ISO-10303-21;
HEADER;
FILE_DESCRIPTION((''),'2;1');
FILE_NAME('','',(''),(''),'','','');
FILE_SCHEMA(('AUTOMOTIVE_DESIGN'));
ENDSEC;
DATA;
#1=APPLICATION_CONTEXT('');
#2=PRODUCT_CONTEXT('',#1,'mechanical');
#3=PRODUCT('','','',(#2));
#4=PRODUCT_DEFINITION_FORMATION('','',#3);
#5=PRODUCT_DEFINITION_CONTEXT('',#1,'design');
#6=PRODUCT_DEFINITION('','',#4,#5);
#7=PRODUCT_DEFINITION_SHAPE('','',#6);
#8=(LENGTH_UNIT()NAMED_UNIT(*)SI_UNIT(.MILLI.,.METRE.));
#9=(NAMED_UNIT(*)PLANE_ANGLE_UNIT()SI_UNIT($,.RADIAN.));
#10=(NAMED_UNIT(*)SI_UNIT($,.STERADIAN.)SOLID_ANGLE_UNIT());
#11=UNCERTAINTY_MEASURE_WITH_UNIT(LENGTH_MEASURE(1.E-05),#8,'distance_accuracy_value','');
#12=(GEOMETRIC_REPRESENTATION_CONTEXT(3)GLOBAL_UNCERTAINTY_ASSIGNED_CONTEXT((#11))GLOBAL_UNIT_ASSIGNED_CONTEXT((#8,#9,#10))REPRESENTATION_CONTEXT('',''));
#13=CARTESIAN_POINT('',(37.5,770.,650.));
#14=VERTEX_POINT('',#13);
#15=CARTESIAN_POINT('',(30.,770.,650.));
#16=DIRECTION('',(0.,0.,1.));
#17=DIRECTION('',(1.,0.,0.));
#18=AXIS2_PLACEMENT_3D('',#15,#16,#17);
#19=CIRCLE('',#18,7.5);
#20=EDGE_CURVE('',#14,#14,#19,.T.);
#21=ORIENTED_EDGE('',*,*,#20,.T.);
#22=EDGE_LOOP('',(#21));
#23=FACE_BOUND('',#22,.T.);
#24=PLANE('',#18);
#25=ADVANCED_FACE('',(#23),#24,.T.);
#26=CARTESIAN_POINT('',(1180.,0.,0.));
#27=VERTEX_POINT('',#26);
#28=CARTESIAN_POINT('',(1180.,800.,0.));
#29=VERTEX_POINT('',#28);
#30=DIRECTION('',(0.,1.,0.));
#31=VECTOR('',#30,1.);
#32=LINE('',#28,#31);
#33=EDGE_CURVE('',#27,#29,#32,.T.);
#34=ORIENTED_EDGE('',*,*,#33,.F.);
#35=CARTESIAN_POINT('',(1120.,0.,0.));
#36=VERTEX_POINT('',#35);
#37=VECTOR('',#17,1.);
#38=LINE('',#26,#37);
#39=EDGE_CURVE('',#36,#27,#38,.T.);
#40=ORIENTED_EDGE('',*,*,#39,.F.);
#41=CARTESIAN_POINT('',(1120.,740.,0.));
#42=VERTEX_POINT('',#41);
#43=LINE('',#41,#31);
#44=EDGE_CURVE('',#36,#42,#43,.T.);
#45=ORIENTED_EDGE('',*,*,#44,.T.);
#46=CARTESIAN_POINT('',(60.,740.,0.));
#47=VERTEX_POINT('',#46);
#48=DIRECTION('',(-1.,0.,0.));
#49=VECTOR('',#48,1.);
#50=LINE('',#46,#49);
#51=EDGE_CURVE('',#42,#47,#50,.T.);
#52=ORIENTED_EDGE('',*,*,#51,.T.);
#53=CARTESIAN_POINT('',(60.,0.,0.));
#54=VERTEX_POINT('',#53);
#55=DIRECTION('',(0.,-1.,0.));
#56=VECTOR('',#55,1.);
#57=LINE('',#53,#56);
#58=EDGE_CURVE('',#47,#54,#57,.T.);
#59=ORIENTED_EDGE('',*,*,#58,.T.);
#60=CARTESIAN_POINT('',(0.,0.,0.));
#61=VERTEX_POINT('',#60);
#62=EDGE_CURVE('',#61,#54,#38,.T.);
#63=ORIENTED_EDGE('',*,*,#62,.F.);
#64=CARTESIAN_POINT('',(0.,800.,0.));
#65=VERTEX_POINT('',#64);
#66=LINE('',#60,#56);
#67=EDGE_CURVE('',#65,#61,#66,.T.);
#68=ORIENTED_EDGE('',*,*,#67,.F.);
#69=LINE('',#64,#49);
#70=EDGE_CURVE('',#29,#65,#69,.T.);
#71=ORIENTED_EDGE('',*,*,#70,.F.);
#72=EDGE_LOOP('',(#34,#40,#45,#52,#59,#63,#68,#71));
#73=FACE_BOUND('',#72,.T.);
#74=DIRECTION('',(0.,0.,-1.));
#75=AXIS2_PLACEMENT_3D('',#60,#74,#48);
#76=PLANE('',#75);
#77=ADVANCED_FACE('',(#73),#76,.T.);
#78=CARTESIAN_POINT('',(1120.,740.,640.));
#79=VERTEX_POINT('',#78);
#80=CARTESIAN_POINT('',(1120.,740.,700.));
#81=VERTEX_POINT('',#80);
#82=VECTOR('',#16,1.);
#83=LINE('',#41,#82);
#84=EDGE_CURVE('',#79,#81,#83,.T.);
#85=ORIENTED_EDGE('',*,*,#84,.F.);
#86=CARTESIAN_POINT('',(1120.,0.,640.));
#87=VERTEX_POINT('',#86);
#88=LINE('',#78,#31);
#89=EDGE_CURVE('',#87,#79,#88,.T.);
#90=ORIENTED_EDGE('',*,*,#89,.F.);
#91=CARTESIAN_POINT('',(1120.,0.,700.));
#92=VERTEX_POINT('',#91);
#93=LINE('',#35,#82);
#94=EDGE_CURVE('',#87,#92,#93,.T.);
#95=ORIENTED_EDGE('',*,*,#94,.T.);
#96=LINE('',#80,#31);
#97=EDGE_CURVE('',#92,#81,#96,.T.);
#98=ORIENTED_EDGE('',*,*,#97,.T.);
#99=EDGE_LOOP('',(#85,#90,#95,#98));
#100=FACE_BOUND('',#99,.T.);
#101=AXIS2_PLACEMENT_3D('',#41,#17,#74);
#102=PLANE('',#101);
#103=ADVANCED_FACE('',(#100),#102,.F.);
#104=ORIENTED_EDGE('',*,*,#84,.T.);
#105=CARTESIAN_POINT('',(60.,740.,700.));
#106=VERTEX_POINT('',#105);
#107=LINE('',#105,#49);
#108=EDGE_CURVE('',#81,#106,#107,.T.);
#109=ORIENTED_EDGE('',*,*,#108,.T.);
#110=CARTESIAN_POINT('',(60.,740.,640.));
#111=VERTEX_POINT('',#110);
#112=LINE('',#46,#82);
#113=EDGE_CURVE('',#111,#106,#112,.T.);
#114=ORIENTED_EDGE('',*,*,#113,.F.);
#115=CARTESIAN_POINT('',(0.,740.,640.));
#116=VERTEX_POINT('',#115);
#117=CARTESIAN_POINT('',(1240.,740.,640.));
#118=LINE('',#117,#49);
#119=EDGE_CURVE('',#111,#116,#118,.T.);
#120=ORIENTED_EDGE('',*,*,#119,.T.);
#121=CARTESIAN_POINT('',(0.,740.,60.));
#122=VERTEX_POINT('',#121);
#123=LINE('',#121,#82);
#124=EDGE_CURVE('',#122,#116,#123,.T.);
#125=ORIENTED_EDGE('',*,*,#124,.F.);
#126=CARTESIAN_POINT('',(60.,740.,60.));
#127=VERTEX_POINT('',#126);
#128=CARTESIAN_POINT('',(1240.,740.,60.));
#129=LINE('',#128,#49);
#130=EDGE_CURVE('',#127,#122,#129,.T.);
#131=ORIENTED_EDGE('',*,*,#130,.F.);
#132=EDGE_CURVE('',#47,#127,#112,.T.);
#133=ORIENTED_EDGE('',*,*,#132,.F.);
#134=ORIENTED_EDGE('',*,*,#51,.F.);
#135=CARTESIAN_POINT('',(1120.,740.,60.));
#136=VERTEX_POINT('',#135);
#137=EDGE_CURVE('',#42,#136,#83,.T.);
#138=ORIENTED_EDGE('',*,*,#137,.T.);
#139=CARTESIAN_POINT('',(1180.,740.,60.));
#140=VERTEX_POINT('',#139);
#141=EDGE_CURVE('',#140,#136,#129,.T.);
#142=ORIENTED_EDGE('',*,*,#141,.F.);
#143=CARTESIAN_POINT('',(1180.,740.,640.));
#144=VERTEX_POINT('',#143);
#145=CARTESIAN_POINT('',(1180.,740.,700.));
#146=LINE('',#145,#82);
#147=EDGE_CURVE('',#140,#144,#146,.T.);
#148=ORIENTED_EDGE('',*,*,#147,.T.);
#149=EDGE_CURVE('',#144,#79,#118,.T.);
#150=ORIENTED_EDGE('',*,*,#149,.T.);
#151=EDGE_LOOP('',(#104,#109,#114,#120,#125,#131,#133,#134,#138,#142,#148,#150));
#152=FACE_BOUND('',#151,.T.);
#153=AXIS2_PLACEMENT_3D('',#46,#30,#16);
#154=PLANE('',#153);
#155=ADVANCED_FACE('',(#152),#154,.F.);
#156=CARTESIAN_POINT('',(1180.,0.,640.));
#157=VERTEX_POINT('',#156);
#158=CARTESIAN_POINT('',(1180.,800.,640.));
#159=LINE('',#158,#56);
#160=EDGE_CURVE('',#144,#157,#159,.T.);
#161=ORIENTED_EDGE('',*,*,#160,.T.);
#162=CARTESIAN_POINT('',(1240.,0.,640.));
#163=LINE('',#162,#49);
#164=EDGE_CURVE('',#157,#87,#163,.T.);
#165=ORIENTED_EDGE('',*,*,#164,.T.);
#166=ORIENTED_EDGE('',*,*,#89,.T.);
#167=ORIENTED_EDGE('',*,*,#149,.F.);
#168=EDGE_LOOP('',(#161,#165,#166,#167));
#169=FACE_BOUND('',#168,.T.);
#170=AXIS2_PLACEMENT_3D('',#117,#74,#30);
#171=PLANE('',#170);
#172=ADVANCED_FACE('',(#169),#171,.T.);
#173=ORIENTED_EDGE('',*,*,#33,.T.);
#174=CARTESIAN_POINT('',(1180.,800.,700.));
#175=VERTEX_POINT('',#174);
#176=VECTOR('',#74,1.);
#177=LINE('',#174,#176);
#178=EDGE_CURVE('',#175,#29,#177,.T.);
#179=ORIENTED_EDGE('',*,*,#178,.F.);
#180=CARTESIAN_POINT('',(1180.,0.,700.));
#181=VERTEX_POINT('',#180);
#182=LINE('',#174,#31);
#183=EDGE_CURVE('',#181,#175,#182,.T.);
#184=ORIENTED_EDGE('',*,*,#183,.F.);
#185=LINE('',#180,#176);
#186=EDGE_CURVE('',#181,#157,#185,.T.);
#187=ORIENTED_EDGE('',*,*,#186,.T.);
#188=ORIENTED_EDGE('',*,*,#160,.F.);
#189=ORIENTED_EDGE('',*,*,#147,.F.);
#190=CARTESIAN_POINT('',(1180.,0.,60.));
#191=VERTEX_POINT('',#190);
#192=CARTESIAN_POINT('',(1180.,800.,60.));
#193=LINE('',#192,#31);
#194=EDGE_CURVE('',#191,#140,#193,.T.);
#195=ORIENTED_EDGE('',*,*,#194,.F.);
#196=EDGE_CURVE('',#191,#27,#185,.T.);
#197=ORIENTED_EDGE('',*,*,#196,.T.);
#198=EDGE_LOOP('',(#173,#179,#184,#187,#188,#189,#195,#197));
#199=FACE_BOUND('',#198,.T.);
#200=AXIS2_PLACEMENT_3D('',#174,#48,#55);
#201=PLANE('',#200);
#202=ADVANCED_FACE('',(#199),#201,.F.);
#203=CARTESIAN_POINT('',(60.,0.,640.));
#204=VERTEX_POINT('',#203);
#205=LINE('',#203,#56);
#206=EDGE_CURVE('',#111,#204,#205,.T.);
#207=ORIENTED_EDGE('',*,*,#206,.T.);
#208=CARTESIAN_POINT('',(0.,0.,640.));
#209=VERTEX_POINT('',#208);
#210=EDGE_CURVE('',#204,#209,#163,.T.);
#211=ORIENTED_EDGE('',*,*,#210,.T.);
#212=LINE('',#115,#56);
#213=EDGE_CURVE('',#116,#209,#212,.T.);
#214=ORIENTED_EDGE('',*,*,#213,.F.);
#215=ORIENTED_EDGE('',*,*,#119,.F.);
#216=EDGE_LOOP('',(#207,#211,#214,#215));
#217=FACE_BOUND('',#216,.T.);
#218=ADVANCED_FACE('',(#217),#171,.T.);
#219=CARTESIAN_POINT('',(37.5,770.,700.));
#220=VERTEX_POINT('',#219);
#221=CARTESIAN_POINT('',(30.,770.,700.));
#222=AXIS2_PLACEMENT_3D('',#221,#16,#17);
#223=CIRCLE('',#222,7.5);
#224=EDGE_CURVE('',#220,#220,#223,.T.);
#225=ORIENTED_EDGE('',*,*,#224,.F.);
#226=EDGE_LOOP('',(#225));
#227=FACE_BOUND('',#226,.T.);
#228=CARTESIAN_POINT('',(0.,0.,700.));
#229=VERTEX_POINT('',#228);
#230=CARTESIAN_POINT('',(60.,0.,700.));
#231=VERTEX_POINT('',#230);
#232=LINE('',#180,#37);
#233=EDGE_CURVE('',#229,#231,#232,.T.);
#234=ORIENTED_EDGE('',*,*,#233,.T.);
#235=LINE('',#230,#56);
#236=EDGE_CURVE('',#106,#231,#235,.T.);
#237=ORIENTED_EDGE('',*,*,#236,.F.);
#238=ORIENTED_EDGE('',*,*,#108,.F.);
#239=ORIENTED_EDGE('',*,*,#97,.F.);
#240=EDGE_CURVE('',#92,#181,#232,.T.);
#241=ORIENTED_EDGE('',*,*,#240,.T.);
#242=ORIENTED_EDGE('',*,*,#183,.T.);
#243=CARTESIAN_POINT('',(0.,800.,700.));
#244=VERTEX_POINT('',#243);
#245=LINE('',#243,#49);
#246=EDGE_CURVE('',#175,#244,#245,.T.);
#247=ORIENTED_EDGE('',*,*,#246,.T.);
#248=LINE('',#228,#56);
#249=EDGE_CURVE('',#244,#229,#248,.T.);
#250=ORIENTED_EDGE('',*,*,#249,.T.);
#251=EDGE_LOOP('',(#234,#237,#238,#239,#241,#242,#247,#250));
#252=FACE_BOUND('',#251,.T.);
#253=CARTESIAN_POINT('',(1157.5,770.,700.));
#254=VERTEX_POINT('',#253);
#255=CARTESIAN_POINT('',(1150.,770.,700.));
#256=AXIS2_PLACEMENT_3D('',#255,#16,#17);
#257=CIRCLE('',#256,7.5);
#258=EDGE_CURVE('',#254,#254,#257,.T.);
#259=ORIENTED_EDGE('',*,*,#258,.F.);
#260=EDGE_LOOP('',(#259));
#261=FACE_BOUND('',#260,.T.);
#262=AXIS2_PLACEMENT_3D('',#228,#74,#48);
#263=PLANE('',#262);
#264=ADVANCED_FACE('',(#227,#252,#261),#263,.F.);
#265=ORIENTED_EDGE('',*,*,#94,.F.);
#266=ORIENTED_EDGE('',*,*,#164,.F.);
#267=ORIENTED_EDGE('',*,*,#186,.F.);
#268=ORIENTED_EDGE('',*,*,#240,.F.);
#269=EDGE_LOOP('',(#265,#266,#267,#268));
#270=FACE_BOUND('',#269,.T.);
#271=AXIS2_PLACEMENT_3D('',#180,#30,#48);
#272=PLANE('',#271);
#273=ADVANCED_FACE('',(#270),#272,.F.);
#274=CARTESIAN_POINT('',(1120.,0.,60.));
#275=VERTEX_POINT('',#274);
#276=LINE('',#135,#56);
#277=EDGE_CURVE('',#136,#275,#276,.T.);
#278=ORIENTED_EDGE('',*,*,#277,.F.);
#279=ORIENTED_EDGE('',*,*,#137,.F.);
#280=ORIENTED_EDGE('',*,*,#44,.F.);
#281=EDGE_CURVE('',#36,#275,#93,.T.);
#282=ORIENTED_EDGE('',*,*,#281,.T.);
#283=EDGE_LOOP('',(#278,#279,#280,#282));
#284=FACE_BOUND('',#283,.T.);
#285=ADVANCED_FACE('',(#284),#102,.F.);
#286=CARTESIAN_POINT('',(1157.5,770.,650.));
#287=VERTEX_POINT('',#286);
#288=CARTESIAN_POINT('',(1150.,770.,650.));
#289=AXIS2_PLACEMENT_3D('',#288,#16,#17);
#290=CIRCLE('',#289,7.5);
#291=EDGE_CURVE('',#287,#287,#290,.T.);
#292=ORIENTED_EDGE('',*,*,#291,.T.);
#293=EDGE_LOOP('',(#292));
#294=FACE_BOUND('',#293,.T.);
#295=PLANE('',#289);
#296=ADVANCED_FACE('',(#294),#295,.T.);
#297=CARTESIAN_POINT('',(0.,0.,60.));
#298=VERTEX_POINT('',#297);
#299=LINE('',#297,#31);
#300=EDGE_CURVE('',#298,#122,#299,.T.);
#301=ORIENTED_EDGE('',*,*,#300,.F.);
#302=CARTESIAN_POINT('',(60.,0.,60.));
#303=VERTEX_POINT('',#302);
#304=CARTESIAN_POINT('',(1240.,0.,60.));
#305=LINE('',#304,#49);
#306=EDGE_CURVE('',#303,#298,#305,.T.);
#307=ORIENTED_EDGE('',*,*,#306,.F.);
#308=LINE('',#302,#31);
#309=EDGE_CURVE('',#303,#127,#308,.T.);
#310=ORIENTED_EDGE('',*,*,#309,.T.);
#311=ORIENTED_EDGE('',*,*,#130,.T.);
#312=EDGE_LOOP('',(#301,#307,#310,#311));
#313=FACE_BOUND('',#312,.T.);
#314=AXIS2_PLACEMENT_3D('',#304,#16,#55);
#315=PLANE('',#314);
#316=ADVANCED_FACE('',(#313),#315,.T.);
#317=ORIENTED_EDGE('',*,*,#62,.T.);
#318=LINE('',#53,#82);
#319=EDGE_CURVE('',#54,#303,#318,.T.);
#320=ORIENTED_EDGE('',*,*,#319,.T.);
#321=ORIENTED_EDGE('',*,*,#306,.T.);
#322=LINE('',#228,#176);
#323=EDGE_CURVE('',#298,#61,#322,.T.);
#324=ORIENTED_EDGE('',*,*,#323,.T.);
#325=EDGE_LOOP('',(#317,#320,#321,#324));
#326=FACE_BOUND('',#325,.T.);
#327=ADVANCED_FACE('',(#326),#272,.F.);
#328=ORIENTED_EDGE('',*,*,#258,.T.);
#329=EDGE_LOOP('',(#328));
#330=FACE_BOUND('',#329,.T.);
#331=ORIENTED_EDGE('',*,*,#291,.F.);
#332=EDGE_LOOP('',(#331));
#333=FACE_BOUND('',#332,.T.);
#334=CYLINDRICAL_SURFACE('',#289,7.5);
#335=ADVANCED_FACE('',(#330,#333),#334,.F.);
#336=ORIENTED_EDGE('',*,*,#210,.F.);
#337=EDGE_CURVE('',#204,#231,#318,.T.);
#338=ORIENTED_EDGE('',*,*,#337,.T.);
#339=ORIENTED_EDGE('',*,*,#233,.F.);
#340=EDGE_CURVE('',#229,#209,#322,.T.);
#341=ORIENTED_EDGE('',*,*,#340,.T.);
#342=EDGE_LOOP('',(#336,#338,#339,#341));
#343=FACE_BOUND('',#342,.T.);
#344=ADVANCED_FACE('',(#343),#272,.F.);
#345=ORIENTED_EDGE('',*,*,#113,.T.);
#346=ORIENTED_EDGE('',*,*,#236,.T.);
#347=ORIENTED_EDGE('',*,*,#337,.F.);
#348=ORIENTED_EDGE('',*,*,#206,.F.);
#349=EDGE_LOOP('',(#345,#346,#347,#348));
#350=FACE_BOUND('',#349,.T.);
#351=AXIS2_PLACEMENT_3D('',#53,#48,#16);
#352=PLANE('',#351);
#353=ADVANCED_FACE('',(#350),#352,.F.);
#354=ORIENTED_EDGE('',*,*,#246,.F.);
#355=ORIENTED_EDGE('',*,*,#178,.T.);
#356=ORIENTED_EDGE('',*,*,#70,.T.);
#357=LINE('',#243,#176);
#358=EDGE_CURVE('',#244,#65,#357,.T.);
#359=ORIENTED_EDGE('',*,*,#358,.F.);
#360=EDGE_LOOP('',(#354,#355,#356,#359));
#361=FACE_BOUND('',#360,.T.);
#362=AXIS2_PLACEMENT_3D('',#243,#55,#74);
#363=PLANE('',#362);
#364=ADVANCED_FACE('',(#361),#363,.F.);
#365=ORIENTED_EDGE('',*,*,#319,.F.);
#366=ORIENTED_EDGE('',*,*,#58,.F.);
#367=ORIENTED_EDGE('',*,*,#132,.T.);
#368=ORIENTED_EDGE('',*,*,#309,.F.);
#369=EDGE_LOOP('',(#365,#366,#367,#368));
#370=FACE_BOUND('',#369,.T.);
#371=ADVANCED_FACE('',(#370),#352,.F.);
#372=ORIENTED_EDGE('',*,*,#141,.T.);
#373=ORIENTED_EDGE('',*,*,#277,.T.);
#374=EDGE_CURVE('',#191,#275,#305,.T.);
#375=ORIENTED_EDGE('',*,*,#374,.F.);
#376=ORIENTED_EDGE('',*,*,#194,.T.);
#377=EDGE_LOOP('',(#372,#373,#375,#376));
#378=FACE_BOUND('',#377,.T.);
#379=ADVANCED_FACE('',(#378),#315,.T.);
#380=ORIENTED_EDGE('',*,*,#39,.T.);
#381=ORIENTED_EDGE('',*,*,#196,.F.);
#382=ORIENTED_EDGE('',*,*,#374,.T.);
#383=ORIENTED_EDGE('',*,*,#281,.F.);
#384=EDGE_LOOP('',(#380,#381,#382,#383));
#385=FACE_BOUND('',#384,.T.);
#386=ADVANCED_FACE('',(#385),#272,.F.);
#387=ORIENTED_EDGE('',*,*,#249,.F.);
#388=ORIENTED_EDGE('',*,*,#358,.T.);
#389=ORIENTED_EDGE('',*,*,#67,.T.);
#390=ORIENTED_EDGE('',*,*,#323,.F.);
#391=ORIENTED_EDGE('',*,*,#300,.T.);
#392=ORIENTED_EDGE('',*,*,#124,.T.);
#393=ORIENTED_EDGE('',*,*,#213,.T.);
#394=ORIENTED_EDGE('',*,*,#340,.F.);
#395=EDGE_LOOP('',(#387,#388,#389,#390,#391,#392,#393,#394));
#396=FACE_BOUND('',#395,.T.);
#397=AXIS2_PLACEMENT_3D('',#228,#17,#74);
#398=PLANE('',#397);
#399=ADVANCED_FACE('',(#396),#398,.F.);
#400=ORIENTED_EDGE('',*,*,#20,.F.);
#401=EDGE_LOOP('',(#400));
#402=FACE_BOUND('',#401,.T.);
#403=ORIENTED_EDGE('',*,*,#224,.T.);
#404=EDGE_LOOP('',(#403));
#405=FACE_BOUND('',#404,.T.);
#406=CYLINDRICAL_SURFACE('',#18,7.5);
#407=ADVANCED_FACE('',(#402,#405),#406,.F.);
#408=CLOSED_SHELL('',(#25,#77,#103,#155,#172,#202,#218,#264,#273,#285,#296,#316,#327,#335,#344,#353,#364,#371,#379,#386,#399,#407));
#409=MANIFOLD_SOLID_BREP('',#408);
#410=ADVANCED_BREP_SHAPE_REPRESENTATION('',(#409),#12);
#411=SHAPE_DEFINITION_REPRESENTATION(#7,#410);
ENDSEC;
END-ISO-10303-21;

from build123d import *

# Parameters (mm, degrees)
ESQUISSE1_W             = 1180
ESQUISSE1_H             = 800
BOSS_EXTRU_1_DEPTH      = 700
ESQUISSE2_W             = 1060
ESQUISSE2_H             = 740
ENL_V_MAT_EXTRU_1_DEPTH = 700
ESQUISSE3_W             = 580
ESQUISSE3_H             = 740
ENL_V_MAT_EXTRU_2_DEPTH = 1240
ESQUISSE7_R             = 7.5
ENL_V_MAT_EXTRU_5_DEPTH = 50


with BuildPart() as part:
    # Esquisse1 → Boss.-Extru.1 (new body)
    with BuildSketch(Plane.XY):
        with Locations((590, 400)):
            Rectangle(ESQUISSE1_W, ESQUISSE1_H)
    extrude(amount=BOSS_EXTRU_1_DEPTH)

    # Esquisse2 → Enlèv. mat.-Extru.1 (cut)
    with BuildSketch(Plane.XY.offset(700)):
        with Locations((590, 370)):
            Rectangle(ESQUISSE2_W, ESQUISSE2_H)
    extrude(amount=-ENL_V_MAT_EXTRU_1_DEPTH, mode=Mode.SUBTRACT)

    # Esquisse3 → Enlèv. mat.-Extru.2 (cut)
    with BuildSketch(Plane.ZY):
        with Locations((350, 370)):
            Rectangle(ESQUISSE3_W, ESQUISSE3_H)
    extrude(amount=-ENL_V_MAT_EXTRU_2_DEPTH, mode=Mode.SUBTRACT)

    # Esquisse7 → Enlèv. mat.-Extru.5 (cut)
    with BuildSketch(Plane.XY.offset(700)):
        with Locations((30, 770)):
            Circle(ESQUISSE7_R)
        with Locations((1150, 770)):
            Circle(ESQUISSE7_R)
    extrude(amount=-ENL_V_MAT_EXTRU_5_DEPTH, mode=Mode.SUBTRACT)


solid = part.part
